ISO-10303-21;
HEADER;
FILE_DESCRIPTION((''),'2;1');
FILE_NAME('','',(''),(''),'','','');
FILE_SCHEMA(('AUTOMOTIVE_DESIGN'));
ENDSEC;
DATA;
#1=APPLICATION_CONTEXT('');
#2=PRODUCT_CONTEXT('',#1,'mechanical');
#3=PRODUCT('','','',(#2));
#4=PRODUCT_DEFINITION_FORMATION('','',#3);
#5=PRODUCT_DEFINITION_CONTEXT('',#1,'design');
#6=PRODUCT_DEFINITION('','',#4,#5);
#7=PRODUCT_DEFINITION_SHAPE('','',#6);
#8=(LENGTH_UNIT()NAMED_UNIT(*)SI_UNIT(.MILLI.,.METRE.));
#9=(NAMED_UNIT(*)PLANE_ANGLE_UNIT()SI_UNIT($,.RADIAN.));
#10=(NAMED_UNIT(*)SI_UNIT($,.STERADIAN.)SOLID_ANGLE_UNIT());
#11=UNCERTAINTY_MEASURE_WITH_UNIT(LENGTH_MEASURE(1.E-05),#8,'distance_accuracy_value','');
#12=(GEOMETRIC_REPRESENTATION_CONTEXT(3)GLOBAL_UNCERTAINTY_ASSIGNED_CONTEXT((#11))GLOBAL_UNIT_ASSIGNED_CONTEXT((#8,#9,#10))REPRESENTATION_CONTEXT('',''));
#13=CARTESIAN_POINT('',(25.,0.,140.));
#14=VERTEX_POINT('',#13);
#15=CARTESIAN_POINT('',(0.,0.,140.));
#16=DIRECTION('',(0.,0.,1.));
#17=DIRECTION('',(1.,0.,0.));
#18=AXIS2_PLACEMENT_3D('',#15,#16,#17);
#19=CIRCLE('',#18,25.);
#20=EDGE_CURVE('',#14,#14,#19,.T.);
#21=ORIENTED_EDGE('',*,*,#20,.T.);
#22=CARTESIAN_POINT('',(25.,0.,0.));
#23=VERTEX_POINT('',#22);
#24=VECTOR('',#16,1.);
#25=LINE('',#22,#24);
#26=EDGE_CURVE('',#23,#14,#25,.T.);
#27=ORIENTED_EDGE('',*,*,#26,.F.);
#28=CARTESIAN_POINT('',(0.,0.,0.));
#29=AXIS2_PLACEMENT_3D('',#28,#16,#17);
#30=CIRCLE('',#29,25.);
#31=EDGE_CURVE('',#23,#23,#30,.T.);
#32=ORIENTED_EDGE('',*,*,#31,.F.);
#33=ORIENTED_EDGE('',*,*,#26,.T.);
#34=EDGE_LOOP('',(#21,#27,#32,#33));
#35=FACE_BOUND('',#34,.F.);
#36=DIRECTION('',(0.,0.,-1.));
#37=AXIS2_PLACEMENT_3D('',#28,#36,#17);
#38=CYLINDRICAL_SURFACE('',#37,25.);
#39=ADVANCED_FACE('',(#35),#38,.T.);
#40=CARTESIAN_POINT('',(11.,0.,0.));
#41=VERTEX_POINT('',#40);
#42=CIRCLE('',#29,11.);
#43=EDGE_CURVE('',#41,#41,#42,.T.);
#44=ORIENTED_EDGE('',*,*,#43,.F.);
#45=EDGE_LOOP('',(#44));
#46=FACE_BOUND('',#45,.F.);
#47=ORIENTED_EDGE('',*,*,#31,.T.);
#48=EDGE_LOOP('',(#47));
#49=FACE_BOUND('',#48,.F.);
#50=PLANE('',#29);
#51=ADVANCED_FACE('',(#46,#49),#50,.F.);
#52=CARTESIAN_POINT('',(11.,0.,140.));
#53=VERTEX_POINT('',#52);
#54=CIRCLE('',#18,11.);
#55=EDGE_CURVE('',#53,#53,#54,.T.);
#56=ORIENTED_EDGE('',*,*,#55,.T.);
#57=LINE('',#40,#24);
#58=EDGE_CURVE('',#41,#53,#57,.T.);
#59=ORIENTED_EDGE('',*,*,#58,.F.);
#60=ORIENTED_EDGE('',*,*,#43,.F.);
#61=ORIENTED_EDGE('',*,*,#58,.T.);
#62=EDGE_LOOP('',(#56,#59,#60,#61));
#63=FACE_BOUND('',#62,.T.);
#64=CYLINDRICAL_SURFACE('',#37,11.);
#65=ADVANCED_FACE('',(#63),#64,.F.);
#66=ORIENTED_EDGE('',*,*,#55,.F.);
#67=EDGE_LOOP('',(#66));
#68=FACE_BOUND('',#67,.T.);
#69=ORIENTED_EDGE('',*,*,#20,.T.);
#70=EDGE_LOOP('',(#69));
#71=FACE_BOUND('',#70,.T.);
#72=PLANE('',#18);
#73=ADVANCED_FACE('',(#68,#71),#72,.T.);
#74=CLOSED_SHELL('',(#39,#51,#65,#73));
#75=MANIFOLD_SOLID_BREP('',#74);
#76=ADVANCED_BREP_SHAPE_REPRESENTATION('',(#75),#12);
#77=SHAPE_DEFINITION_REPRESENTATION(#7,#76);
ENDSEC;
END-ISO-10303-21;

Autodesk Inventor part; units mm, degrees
ref_plane "YZ Plane" through (0, 0, 0) normal (1, 0, 0) x (0, 1, 0)
ref_plane "XZ Plane" through (0, 0, 0) normal (0, 1, 0) x (-1, 0, 0)
ref_plane "XY Plane" through (0, 0, 0) normal (0, 0, 1) x (1, 0, 0)
sketch "Szkic1" plane through (0, 0, 0) normal (0, 0, 1) x (1, 0, 0)
  circle A0 centre (0, 0) radius 25
  circle A1 centre (0, 0) radius 11
  dimension "d1" = 50
  dimension "d2" = 22
extrude "Wyciągnięcie proste1" add sketch "Szkic1" along normal blind 140
properties part number "wały_sr_Drukowanie 3D"
